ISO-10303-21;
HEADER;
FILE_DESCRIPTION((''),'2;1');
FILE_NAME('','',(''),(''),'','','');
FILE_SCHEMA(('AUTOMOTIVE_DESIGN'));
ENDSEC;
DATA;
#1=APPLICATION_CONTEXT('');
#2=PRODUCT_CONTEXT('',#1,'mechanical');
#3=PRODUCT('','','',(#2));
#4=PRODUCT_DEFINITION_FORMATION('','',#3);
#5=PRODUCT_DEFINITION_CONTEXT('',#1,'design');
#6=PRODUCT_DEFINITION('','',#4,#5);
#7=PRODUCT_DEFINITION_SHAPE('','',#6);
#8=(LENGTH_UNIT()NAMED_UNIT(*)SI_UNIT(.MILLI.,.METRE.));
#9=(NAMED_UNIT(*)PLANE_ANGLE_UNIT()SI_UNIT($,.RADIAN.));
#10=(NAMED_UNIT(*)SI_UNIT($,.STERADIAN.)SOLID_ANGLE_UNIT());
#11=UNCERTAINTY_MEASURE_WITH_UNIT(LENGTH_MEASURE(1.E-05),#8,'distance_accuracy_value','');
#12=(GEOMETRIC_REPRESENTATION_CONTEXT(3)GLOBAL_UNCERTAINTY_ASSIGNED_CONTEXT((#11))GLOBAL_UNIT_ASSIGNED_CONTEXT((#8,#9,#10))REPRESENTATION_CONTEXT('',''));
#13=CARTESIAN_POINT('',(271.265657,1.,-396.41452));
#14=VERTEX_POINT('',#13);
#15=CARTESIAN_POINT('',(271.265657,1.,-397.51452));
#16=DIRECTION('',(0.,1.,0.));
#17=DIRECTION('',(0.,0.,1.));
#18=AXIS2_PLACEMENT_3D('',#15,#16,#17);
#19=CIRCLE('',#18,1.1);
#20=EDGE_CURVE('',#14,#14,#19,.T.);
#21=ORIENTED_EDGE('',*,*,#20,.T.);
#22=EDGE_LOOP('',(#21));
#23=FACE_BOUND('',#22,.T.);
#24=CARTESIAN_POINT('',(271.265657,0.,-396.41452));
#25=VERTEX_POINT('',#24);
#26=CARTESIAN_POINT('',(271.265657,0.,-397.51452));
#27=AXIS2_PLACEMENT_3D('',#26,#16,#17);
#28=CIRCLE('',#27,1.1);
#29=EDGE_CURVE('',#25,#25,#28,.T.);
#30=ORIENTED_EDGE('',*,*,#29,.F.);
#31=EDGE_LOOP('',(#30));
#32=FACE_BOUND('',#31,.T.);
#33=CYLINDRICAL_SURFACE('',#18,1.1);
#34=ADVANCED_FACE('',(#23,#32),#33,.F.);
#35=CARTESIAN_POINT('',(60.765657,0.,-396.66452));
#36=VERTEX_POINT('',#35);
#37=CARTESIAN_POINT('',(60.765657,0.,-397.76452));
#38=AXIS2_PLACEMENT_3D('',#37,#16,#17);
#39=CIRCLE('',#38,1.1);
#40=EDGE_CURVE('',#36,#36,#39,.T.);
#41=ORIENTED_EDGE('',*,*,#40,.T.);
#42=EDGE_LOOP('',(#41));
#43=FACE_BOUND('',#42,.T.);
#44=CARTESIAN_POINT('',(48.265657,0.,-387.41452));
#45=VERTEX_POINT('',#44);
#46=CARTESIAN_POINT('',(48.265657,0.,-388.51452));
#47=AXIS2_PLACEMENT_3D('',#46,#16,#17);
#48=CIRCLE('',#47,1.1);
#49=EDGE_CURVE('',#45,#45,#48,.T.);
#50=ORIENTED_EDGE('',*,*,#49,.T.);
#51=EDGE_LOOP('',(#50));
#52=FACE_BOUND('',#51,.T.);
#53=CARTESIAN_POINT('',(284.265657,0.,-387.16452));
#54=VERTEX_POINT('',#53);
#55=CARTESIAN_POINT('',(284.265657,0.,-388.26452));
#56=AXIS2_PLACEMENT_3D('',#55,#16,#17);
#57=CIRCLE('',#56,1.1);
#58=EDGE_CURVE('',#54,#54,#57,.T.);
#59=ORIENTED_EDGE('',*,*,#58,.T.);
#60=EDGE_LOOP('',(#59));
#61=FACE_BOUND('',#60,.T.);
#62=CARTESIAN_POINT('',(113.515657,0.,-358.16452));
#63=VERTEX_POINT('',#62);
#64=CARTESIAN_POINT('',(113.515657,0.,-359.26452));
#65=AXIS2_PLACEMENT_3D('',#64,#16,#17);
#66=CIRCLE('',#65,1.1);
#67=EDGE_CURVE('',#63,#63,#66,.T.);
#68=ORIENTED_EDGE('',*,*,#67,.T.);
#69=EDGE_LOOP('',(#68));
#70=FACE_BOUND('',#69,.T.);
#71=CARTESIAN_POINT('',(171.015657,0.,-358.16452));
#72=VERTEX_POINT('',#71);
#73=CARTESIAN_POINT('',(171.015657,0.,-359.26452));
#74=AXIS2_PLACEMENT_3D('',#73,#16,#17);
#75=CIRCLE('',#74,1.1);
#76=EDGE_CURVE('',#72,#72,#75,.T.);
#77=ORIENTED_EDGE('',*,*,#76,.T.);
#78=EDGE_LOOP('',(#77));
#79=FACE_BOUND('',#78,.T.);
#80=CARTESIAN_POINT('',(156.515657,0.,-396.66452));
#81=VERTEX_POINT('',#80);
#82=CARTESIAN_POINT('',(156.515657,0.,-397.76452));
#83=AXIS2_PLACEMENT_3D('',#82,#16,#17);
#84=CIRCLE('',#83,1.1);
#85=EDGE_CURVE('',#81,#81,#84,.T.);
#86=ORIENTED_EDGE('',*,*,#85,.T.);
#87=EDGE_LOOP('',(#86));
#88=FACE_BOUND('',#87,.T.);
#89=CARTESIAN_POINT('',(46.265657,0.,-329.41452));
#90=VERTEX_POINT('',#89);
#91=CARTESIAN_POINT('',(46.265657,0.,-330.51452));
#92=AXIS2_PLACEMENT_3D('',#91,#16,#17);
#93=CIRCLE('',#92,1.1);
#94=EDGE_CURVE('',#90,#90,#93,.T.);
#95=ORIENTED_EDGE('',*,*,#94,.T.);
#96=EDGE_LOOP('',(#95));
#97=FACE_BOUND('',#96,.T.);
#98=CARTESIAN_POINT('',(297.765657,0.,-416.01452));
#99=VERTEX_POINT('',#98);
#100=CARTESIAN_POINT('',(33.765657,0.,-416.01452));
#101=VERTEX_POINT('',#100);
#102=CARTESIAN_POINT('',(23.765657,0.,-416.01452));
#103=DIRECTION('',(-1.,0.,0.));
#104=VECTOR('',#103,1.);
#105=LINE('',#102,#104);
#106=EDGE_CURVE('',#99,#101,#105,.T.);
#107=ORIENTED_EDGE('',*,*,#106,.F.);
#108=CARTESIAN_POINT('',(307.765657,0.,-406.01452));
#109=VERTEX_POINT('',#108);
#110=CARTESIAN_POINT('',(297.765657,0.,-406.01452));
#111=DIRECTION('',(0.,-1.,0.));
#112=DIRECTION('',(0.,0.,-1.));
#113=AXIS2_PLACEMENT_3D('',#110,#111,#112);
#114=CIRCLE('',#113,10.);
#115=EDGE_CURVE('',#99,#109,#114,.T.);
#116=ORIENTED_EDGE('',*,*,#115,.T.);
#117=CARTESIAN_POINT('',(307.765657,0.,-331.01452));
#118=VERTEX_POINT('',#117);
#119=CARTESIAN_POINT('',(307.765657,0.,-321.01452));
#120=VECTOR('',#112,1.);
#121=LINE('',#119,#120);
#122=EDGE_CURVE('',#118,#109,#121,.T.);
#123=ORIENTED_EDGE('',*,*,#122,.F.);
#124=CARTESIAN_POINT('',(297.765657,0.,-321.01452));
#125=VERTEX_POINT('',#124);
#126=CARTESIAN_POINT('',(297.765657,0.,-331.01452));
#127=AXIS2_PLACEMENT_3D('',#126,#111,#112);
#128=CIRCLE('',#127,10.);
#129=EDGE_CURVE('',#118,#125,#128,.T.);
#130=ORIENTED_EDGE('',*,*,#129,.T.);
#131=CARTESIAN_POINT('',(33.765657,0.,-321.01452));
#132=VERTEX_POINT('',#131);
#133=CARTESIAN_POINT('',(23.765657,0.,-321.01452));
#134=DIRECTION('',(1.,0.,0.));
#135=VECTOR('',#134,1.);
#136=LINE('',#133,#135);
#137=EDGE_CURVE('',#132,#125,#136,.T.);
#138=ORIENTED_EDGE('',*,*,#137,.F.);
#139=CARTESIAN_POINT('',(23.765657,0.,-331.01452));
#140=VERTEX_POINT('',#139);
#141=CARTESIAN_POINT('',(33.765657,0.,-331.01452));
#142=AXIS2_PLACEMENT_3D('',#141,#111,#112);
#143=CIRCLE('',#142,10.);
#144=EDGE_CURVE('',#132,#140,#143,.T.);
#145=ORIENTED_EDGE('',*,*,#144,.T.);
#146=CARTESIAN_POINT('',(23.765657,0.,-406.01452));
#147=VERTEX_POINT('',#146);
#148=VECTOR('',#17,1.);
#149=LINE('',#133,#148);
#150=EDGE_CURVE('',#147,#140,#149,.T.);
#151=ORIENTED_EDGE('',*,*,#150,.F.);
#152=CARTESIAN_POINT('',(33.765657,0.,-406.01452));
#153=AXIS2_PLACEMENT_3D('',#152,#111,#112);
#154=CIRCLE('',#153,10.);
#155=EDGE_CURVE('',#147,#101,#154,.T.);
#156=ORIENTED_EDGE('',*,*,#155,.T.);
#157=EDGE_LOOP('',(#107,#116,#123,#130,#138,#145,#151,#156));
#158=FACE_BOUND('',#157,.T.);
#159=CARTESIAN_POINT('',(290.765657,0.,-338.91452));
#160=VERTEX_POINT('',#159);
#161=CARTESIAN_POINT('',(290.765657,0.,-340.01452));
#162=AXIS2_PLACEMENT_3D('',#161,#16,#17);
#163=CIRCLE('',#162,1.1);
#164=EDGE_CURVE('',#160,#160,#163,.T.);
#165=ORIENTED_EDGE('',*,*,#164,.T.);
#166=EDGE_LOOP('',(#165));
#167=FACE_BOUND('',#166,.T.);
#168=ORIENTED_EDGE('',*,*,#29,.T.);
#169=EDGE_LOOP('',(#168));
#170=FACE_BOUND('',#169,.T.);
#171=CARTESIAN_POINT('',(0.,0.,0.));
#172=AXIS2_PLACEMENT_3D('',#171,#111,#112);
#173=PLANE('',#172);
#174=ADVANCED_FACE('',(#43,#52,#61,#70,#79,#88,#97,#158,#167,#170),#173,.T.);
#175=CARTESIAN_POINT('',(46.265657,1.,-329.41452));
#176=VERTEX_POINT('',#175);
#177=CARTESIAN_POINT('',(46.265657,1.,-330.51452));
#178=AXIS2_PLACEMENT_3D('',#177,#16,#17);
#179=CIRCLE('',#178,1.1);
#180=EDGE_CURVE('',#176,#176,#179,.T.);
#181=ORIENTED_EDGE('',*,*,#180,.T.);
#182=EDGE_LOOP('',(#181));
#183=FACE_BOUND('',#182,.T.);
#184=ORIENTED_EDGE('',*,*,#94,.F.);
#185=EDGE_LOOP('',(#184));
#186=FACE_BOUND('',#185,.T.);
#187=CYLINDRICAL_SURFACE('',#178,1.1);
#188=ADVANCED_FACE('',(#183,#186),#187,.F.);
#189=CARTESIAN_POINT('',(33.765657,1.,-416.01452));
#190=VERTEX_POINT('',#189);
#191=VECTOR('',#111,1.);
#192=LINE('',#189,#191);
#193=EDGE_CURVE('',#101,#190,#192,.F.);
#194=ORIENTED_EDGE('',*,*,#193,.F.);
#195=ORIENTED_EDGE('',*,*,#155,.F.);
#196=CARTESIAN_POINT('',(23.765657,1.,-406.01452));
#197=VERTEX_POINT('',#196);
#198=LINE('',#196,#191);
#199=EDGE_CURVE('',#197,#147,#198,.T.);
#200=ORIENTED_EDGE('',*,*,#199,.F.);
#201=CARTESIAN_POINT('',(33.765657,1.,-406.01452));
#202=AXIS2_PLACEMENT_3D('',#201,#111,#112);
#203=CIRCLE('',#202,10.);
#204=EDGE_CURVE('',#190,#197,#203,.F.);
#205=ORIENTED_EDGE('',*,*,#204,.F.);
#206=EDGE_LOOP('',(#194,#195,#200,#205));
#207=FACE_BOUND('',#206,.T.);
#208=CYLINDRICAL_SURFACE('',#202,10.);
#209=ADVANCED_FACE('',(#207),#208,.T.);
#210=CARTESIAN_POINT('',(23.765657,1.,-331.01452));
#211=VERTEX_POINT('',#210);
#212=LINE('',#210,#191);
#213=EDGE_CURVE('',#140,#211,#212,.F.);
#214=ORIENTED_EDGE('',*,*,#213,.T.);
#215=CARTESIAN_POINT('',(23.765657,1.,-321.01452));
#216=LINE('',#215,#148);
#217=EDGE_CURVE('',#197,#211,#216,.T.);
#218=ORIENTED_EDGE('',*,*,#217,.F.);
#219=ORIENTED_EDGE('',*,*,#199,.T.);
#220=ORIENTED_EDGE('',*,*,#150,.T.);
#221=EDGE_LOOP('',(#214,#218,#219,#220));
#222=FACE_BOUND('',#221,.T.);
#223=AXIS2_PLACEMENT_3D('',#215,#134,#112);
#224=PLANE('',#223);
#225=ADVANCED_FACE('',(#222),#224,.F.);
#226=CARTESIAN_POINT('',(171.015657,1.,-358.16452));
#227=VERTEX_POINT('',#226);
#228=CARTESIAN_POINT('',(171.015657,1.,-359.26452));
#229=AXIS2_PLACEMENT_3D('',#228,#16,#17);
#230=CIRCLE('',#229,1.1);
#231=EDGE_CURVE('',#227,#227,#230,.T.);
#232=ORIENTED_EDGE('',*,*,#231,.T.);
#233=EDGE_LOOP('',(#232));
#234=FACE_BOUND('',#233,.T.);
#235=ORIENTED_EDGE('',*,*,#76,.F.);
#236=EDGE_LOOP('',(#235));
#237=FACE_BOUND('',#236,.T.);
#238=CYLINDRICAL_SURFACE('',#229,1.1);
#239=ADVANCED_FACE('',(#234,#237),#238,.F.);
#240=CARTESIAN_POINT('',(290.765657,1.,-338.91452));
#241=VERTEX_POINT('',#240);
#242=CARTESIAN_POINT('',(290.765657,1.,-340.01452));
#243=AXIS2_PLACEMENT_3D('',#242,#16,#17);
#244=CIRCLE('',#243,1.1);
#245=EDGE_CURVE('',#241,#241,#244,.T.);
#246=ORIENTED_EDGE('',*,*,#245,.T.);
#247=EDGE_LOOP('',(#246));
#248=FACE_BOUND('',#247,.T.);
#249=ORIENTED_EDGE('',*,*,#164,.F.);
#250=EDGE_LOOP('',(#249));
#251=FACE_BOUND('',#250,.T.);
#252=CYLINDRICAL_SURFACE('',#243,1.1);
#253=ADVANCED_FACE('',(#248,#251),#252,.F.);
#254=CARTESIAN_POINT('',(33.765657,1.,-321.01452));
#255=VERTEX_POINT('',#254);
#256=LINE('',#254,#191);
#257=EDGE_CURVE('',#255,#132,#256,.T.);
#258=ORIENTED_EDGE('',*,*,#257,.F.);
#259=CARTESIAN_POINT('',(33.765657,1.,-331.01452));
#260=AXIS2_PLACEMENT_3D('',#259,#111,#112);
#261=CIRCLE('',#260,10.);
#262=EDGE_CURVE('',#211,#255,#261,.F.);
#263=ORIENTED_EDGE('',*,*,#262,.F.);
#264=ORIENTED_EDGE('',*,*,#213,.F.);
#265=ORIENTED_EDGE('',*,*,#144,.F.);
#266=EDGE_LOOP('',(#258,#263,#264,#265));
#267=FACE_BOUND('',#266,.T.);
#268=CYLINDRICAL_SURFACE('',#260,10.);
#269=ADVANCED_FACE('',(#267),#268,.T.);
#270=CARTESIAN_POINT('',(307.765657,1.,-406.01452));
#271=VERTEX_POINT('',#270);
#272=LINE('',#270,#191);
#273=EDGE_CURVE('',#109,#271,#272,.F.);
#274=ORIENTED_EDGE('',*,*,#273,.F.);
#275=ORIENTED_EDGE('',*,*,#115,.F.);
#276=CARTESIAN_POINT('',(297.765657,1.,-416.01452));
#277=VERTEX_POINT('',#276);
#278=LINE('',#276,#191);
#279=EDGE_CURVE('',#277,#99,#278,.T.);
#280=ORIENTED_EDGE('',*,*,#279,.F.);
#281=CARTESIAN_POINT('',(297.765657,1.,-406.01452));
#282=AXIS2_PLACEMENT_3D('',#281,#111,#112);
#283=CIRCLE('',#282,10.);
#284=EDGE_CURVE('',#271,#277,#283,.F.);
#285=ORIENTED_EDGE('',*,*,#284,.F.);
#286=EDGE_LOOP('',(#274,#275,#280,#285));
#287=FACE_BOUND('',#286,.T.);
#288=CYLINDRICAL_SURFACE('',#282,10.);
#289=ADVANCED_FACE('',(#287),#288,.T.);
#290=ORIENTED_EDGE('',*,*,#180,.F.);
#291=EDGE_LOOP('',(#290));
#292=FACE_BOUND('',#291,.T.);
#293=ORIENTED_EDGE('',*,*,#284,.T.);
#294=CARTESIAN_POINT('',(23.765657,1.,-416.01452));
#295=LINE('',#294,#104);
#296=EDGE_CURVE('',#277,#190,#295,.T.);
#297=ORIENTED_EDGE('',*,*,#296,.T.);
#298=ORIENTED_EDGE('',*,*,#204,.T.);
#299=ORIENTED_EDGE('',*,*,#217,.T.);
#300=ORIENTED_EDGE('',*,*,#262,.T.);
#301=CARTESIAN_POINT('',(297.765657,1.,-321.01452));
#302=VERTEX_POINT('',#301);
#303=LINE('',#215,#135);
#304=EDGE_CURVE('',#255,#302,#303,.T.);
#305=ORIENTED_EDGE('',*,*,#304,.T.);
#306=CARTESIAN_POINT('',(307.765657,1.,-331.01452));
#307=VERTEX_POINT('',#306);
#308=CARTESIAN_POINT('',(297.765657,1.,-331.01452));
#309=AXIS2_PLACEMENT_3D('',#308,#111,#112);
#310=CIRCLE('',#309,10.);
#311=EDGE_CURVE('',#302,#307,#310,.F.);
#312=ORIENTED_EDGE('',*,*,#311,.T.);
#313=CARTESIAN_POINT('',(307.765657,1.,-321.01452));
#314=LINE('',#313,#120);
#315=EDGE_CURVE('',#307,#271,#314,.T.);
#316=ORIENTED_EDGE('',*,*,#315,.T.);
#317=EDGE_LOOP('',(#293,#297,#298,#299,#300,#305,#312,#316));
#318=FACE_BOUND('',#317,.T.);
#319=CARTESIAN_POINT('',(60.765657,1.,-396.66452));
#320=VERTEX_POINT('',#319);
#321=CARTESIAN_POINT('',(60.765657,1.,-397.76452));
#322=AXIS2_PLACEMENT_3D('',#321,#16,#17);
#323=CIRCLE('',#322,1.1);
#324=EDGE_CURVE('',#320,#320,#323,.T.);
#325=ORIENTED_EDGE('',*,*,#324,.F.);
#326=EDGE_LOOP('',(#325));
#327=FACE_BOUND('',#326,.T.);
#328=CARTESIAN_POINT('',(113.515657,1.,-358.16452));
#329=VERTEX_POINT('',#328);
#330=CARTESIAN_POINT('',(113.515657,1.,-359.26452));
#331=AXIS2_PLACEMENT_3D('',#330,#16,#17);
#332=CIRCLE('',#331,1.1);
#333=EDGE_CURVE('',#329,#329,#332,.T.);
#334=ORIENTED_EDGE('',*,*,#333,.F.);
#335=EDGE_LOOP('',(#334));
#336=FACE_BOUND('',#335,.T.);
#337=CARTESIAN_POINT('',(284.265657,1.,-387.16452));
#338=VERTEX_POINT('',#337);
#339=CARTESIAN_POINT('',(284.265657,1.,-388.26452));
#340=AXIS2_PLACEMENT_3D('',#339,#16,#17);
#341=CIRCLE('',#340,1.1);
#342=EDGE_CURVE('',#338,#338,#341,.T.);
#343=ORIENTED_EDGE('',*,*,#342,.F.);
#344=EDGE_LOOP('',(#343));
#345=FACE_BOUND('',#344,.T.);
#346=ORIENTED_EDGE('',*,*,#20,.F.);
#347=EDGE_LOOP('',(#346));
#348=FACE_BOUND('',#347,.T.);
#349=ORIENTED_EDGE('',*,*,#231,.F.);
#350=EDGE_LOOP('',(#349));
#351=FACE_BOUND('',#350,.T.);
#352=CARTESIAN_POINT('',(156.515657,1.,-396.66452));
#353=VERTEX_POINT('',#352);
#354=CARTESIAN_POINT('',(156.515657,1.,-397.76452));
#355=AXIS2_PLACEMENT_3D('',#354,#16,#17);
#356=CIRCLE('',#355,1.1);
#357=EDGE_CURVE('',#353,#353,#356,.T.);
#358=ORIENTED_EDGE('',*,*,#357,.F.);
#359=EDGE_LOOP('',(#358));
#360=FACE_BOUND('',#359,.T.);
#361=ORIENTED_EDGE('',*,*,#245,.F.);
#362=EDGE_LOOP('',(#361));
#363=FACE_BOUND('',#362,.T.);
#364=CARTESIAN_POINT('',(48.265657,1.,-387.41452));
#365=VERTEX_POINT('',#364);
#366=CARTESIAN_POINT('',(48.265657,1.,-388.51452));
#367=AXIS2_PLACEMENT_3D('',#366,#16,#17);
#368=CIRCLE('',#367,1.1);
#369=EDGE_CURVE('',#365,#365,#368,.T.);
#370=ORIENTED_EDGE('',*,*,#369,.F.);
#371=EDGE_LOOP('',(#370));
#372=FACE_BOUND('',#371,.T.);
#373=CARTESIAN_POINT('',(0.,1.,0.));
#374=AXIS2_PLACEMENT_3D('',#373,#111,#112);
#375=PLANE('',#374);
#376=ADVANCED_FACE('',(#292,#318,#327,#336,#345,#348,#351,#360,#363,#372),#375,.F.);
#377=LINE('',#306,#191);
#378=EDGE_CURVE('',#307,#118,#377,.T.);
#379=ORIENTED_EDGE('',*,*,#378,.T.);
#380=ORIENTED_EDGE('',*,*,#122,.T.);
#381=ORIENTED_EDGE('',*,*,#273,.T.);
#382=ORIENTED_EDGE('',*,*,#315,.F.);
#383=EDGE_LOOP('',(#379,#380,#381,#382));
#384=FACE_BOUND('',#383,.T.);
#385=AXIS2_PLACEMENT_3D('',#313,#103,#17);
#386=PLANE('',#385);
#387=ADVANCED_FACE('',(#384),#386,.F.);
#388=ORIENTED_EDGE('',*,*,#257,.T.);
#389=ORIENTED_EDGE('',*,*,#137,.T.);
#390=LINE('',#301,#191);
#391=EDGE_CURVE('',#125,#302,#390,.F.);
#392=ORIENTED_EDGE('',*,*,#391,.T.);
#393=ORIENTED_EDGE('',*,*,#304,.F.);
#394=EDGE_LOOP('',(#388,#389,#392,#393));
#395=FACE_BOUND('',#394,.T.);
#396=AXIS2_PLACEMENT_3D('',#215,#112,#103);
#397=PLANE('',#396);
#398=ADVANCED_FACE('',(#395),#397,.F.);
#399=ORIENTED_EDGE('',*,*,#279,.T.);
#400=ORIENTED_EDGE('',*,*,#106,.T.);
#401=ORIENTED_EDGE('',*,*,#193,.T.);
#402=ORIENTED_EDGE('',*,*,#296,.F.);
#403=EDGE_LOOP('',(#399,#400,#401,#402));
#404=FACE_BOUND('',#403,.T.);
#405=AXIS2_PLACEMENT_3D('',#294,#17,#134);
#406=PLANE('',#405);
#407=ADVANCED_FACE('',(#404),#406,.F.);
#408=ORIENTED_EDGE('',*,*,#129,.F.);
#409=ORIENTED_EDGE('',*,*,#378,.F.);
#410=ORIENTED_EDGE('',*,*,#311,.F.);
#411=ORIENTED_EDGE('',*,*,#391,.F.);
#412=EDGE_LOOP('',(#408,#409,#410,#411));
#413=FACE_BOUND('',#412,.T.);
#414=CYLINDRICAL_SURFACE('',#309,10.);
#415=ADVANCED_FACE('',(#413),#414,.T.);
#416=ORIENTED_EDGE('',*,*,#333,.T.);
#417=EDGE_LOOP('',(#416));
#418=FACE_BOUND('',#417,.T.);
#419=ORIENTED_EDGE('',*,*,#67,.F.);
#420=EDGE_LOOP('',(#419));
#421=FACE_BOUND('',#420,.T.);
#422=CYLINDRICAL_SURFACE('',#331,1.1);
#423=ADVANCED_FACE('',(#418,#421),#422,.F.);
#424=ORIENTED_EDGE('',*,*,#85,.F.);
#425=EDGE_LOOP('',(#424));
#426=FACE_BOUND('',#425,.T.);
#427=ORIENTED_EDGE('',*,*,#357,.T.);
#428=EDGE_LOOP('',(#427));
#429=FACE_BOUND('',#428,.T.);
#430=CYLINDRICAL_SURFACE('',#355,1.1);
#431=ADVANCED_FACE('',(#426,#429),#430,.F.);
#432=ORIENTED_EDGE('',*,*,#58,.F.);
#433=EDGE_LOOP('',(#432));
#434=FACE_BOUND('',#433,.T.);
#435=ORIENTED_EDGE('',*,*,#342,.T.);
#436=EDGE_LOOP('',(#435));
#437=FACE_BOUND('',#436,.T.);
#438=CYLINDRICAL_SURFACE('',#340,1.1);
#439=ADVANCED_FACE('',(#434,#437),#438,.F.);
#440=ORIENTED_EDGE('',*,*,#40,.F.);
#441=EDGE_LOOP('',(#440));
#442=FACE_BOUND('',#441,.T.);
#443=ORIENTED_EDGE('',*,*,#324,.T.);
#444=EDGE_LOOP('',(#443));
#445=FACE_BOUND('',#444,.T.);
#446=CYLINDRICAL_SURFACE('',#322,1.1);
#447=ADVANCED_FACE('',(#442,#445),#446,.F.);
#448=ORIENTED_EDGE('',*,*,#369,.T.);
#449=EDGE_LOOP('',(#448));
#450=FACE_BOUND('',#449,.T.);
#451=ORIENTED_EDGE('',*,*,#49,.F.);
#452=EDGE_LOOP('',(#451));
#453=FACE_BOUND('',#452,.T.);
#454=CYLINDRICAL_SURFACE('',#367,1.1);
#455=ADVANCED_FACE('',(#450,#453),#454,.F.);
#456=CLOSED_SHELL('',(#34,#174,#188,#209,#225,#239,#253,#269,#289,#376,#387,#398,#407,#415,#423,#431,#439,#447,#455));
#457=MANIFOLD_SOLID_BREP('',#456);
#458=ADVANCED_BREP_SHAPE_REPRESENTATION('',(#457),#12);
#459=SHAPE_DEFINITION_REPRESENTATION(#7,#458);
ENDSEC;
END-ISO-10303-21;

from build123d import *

# Parameters (mm, degrees)
SKETCH3_W             = 284
SKETCH3_H             = 95
BOSS_EXTRUDE1_DEPTH   = 1
F_2_0MM_DOWEL_HOLE1_D = 2.2
FILLET1_R             = 10


with BuildPart() as part:
    # Sketch3 → Boss-Extrude1 (new body)
    with BuildSketch(Plane(origin=(0, 0, 0), x_dir=(1, 0, 0), z_dir=(0, 1, 0))):
        with Locations((165.765656923, 368.514519522)):
            Rectangle(SKETCH3_W, SKETCH3_H)
    extrude(amount=BOSS_EXTRUDE1_DEPTH)

    # Ø2.0mm Dowel Hole1 (through all)
    with Locations(Plane(origin=(0, 1, 0), x_dir=(1, 0, 0), z_dir=(0, 1, 0))):
        with Locations((48.265656923, 388.514519522), (60.765656923, 397.764519522), (46.265656923, 330.514519522), (113.515656923, 359.264519522), (156.515656923, 397.764519522), (171.015656923, 359.264519522), (271.265656923, 397.514519522), (284.265656923, 388.264519522), (290.765656923, 340.014519522)):
            Hole(F_2_0MM_DOWEL_HOLE1_D / 2)

    # Fillet1
    fillet1_edges = [part.edges().sort_by_distance(p)[0] for p in [
        (23.765656923, 0.5, -416.014519522),
        (307.765656923, 0.5, -416.014519522),
        (307.765656923, 0.5, -321.014519522),
        (23.765656923, 0.5, -321.014519522),
    ]]
    fillet(fillet1_edges, radius=FILLET1_R)


solid = part.part
